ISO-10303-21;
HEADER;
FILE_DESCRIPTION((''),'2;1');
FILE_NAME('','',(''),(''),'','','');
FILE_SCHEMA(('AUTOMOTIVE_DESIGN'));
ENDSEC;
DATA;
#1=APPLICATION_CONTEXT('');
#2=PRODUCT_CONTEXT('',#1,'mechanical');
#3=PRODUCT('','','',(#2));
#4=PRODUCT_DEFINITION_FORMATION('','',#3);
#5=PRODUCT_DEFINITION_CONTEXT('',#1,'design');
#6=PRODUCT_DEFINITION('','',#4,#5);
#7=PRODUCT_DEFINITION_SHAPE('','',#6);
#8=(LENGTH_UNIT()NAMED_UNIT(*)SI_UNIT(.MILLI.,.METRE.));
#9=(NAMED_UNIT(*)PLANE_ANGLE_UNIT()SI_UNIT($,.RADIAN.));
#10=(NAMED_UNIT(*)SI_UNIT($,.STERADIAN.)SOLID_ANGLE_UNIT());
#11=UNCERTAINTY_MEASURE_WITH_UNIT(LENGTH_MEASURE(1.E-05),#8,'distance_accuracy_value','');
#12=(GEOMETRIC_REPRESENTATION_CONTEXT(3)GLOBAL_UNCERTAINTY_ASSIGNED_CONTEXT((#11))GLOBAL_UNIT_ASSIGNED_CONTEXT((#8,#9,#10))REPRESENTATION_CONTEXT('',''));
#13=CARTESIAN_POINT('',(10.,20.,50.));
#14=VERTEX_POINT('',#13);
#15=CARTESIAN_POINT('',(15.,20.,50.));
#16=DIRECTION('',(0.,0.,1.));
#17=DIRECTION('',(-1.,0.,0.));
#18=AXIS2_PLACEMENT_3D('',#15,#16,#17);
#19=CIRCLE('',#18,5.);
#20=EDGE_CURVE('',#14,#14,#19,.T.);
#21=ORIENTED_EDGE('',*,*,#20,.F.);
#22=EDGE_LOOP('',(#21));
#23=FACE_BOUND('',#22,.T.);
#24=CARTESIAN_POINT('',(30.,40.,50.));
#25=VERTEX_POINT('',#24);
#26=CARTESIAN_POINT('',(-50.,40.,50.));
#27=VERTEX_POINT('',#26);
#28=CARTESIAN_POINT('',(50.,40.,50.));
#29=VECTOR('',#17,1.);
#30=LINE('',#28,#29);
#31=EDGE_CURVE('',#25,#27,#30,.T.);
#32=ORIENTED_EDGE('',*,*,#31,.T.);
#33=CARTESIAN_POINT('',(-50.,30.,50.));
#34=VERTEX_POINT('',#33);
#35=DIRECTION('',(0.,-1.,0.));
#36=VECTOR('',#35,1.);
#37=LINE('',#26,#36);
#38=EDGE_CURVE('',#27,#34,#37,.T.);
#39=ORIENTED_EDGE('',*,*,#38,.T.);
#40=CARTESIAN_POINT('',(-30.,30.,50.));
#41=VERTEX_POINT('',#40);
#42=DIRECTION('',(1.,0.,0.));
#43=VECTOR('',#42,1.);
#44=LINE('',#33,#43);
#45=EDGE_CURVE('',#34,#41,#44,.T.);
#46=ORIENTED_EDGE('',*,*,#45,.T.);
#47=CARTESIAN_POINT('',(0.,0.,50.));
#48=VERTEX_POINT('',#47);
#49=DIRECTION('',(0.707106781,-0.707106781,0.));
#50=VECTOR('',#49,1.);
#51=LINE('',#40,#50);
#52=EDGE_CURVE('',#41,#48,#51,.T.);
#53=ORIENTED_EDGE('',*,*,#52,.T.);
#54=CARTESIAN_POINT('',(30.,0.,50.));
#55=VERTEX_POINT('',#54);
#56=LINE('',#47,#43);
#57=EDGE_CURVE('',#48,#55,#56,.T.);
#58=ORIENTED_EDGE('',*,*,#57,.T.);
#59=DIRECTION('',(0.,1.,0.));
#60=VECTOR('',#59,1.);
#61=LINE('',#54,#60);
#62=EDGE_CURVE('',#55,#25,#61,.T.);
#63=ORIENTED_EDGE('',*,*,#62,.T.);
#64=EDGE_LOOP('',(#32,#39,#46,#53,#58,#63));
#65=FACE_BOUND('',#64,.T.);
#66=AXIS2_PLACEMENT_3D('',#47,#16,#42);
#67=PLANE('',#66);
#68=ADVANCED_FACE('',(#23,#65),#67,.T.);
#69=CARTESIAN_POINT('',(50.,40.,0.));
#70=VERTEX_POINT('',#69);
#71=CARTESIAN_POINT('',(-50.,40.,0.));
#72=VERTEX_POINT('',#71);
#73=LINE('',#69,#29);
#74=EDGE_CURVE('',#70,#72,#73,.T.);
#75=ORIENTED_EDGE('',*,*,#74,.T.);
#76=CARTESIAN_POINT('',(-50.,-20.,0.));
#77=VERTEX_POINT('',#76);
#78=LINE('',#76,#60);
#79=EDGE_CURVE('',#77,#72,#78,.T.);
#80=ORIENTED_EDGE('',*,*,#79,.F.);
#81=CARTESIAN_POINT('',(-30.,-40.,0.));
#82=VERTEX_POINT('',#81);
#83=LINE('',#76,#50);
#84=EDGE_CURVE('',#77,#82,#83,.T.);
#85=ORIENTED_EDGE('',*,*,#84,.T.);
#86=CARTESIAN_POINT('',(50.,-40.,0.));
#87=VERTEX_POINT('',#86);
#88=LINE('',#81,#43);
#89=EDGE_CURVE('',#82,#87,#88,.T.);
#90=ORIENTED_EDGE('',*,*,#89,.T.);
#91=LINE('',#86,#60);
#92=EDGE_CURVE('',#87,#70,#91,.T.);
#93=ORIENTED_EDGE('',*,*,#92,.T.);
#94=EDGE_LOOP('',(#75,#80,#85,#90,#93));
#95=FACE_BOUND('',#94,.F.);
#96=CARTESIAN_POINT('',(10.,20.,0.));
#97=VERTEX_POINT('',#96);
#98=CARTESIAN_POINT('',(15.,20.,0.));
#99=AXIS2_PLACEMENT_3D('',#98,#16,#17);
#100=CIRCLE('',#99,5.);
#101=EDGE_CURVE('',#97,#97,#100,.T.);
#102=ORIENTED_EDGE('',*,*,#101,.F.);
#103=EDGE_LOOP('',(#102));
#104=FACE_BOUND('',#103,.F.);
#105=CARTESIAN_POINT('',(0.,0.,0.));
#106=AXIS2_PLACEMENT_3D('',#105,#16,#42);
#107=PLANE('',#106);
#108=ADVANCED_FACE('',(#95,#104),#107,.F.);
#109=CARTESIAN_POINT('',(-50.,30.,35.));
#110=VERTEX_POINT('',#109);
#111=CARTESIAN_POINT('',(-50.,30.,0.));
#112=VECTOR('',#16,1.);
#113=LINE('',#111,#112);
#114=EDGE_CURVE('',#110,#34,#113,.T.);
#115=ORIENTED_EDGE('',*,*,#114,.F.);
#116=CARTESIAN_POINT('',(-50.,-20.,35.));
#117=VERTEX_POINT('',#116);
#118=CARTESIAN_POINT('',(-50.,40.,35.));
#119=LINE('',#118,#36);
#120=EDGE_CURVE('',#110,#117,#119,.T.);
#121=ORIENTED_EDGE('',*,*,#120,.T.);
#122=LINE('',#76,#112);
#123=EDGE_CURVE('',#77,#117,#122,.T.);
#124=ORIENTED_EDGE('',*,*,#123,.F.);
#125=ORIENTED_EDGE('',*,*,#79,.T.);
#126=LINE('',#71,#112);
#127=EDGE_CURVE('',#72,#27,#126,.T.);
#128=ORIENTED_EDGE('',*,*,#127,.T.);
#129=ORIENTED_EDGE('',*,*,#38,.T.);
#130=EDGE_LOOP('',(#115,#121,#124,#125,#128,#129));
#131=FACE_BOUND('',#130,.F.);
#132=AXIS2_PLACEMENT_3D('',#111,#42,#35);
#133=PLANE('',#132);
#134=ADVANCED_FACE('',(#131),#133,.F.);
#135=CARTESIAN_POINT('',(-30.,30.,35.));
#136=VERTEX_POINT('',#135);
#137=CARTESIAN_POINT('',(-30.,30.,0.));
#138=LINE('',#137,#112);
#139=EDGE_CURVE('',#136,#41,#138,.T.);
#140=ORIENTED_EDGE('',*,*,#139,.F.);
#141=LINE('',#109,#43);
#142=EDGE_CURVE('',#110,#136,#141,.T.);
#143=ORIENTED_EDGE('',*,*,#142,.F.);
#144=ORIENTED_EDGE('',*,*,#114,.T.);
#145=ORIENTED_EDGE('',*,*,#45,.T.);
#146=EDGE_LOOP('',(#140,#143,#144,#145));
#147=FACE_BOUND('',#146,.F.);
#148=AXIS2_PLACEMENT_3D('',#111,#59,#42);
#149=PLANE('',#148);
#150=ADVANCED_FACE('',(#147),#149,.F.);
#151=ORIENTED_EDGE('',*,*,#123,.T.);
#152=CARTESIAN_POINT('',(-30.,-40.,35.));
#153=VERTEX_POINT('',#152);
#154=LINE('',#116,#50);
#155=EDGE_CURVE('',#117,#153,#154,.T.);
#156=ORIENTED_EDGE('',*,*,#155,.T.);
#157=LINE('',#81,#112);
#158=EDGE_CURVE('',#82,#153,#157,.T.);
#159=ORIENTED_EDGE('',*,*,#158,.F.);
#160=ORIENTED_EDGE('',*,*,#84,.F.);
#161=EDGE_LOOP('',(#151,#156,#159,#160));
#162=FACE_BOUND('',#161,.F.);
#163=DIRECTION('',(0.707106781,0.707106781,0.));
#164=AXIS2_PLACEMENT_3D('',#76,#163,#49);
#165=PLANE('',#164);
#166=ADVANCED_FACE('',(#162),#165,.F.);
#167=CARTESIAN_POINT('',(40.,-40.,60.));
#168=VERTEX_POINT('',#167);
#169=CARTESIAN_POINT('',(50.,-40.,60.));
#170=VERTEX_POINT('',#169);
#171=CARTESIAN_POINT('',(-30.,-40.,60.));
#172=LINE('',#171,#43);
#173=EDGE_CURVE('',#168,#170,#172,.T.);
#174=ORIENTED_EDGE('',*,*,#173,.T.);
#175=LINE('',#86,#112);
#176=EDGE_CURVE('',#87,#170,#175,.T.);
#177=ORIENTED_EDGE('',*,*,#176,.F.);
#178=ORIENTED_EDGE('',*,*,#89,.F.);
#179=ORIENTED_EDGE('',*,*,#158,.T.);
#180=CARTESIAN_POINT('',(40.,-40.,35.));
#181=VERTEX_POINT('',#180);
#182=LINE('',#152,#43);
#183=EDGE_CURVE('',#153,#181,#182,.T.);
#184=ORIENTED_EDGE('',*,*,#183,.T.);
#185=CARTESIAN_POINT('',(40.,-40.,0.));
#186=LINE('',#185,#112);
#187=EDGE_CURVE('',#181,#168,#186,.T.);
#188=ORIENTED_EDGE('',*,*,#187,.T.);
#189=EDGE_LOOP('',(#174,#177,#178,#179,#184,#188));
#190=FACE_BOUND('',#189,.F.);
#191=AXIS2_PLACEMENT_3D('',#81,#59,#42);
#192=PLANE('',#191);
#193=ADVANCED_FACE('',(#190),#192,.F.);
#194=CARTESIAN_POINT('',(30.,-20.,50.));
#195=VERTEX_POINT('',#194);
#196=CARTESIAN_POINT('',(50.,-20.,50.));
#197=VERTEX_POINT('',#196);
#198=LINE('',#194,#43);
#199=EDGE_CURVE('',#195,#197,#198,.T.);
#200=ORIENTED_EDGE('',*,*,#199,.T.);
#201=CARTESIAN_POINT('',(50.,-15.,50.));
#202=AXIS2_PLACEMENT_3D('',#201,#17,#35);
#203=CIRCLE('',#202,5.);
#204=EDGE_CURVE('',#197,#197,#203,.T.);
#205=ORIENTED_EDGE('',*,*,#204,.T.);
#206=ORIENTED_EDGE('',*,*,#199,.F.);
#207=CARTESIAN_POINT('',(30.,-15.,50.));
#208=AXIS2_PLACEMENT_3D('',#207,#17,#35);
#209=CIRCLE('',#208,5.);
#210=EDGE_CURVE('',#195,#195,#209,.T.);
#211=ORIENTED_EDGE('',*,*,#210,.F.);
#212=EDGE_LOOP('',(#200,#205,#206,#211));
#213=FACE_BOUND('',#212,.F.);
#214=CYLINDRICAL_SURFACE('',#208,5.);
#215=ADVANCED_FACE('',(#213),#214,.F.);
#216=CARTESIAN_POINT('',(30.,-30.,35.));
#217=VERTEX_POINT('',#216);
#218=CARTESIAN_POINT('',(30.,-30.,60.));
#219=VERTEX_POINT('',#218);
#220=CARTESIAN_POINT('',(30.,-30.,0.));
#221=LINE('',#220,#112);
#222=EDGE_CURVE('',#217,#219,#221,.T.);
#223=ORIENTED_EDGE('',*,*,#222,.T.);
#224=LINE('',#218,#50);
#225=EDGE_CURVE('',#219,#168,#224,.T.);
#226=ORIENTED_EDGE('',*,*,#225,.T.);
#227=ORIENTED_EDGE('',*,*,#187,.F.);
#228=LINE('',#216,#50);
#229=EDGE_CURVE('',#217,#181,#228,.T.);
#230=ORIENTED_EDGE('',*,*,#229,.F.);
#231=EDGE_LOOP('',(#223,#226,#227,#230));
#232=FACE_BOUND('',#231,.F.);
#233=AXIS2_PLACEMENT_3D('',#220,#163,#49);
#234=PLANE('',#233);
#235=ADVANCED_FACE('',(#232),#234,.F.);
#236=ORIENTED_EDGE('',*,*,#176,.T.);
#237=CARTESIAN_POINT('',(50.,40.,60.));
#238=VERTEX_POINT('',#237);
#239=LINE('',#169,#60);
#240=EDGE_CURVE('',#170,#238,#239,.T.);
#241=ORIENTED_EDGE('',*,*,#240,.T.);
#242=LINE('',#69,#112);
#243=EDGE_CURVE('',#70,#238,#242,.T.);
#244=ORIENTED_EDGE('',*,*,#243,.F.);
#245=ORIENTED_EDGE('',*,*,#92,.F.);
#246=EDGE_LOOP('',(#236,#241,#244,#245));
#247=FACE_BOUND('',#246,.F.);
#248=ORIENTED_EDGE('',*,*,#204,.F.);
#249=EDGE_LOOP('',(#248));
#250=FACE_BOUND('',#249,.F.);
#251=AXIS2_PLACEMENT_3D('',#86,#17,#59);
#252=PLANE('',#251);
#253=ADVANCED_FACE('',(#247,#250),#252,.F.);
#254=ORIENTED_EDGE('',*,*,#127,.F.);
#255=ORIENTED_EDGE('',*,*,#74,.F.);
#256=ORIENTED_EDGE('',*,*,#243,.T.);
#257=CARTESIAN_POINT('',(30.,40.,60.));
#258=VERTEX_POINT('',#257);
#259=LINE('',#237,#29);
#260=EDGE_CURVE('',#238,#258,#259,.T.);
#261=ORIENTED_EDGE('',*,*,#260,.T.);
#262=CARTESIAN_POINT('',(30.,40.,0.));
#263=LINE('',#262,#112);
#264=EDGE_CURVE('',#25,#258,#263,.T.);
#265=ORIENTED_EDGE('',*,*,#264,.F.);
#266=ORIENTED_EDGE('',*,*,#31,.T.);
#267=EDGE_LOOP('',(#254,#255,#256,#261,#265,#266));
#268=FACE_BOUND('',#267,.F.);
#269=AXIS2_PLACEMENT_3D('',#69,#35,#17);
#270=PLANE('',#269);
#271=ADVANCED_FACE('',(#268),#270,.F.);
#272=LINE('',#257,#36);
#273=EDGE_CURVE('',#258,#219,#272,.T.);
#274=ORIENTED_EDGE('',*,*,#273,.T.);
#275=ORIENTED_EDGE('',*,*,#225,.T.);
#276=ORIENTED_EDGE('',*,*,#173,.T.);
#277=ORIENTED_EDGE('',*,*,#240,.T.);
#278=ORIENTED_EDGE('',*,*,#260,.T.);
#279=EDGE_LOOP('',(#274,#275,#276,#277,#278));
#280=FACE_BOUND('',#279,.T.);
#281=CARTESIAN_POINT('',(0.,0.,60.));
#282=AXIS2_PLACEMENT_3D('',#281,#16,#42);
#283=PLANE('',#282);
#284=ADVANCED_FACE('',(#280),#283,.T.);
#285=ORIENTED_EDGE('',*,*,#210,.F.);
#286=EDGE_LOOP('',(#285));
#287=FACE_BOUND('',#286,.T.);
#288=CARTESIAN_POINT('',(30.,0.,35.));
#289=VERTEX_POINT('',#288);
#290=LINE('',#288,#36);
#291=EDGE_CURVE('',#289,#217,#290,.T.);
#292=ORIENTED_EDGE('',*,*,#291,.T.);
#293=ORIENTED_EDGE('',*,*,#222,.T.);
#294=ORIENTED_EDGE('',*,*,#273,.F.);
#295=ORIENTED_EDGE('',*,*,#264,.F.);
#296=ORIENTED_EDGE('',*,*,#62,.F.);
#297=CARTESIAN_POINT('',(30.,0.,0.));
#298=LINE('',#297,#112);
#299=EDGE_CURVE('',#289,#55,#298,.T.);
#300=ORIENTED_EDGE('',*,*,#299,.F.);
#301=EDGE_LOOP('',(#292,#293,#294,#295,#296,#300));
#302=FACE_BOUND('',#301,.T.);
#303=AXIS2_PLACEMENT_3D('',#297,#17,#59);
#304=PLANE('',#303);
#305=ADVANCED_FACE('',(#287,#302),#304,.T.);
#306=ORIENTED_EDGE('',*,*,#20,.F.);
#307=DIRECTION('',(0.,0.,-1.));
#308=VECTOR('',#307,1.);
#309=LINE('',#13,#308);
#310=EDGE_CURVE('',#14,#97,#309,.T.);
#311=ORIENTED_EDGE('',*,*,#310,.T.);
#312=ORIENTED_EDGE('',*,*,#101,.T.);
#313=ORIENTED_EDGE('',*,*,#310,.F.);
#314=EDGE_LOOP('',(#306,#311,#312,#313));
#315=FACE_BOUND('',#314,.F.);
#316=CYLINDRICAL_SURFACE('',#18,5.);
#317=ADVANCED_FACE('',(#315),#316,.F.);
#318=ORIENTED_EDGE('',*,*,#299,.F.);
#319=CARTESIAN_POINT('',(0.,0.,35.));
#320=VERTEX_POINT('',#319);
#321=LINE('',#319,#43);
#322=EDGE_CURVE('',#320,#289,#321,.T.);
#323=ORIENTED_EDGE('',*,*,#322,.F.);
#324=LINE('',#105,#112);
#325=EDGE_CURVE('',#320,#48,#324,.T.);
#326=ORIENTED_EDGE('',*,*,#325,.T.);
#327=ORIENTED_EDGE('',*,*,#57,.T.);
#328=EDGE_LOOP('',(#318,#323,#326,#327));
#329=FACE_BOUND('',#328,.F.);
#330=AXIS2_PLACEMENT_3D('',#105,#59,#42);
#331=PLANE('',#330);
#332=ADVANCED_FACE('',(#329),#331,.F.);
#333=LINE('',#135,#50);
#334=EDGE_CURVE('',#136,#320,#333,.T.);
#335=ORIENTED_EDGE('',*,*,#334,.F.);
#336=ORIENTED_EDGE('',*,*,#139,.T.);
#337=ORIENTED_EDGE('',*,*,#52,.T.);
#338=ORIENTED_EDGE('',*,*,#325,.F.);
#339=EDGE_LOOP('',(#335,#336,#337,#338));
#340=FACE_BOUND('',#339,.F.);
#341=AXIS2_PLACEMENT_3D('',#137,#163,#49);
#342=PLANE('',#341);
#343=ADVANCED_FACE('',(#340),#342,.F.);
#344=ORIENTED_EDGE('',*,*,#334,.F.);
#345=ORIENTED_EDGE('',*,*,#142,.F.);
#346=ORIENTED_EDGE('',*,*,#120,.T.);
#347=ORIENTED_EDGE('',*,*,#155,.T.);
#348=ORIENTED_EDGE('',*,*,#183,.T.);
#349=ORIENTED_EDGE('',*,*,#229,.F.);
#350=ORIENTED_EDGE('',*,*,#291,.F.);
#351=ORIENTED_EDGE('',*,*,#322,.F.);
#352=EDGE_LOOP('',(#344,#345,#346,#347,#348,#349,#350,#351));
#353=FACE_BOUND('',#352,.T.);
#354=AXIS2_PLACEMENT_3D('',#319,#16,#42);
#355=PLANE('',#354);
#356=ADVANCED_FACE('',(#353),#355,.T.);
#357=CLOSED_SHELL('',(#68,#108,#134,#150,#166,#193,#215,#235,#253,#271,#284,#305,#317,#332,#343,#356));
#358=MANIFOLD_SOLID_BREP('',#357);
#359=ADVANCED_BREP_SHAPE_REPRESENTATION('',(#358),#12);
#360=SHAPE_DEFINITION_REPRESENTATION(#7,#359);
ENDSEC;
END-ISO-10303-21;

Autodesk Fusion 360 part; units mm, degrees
sketch "Sketch1" plane through (0, 0, 0) normal (0, 0, 1) x (1, 0, 0)
  line L0 (50, 40) -> (-50, 40)
  line L1 (-50, 40) -> (-50, -20)
  line L2 (-30, -40) -> (50, -40)
  line L3 (50, -40) -> (50, 40)
  line L4 (-50, -20) -> (-30, -40)
  line L5 (-50, 40) -> (-50, 30)
  line L6 (-50, 30) -> (-30, 30)
  line L7 (-30, 30) -> (0, 0)
  line L8 (30, 0) -> (30, 40)
  line L9 (30, -30) -> (40, -40)
  line L10 (30, 0) -> (30, -30)
  line L11 (0, 0) -> (30, 0)
extrude "Extrude1" add sketch "Sketch1" along normal blind 60 contours L0 L2 L3 L8 L9 L10
extrude "Extrude2" add sketch "Sketch1" along normal blind 50 contours L0 L1 L5 L6 L7 L8 L11
extrude "Extrude3" add sketch "Sketch1" along normal blind 35 contours L1 L2 L4 L6 L7 L9 L10 L11
sketch "Sketch4" plane through (0, 0, 50) normal (0, 0, 1) x (-1, 0, 0)
  line L0 (0, 0) -> (-30, 0)
  line L1 (-30, 0) -> (-30, -40)
  line L2 (-30, -40) -> (50, -40)
  line L3 (50, -40) -> (50, -30)
  line L4 (50, -30) -> (30, -30)
  line L5 (30, -30) -> (0, 0)
  circle A0 centre (-15, -20) radius 5
sketch "Sketch5" plane through (30, 0, 0) normal (-1, 0, 0) x (0, -1, 0)
  line L0 (0, 35) -> (30, 35)
  line L1 (30, 35) -> (30, 60)
  line L2 (30, 60) -> (-40, 60)
  line L3 (-40, 60) -> (-40, 50)
  line L4 (-40, 50) -> (0, 50)
  line L5 (0, 50) -> (0, 35)
  circle A0 centre (15, 50) radius 5
extrude "Extrude4" cut sketch "Sketch4" against normal blind 50 contours A0
extrude "Extrude5" cut sketch "Sketch5" against normal blind 20 contours A0
